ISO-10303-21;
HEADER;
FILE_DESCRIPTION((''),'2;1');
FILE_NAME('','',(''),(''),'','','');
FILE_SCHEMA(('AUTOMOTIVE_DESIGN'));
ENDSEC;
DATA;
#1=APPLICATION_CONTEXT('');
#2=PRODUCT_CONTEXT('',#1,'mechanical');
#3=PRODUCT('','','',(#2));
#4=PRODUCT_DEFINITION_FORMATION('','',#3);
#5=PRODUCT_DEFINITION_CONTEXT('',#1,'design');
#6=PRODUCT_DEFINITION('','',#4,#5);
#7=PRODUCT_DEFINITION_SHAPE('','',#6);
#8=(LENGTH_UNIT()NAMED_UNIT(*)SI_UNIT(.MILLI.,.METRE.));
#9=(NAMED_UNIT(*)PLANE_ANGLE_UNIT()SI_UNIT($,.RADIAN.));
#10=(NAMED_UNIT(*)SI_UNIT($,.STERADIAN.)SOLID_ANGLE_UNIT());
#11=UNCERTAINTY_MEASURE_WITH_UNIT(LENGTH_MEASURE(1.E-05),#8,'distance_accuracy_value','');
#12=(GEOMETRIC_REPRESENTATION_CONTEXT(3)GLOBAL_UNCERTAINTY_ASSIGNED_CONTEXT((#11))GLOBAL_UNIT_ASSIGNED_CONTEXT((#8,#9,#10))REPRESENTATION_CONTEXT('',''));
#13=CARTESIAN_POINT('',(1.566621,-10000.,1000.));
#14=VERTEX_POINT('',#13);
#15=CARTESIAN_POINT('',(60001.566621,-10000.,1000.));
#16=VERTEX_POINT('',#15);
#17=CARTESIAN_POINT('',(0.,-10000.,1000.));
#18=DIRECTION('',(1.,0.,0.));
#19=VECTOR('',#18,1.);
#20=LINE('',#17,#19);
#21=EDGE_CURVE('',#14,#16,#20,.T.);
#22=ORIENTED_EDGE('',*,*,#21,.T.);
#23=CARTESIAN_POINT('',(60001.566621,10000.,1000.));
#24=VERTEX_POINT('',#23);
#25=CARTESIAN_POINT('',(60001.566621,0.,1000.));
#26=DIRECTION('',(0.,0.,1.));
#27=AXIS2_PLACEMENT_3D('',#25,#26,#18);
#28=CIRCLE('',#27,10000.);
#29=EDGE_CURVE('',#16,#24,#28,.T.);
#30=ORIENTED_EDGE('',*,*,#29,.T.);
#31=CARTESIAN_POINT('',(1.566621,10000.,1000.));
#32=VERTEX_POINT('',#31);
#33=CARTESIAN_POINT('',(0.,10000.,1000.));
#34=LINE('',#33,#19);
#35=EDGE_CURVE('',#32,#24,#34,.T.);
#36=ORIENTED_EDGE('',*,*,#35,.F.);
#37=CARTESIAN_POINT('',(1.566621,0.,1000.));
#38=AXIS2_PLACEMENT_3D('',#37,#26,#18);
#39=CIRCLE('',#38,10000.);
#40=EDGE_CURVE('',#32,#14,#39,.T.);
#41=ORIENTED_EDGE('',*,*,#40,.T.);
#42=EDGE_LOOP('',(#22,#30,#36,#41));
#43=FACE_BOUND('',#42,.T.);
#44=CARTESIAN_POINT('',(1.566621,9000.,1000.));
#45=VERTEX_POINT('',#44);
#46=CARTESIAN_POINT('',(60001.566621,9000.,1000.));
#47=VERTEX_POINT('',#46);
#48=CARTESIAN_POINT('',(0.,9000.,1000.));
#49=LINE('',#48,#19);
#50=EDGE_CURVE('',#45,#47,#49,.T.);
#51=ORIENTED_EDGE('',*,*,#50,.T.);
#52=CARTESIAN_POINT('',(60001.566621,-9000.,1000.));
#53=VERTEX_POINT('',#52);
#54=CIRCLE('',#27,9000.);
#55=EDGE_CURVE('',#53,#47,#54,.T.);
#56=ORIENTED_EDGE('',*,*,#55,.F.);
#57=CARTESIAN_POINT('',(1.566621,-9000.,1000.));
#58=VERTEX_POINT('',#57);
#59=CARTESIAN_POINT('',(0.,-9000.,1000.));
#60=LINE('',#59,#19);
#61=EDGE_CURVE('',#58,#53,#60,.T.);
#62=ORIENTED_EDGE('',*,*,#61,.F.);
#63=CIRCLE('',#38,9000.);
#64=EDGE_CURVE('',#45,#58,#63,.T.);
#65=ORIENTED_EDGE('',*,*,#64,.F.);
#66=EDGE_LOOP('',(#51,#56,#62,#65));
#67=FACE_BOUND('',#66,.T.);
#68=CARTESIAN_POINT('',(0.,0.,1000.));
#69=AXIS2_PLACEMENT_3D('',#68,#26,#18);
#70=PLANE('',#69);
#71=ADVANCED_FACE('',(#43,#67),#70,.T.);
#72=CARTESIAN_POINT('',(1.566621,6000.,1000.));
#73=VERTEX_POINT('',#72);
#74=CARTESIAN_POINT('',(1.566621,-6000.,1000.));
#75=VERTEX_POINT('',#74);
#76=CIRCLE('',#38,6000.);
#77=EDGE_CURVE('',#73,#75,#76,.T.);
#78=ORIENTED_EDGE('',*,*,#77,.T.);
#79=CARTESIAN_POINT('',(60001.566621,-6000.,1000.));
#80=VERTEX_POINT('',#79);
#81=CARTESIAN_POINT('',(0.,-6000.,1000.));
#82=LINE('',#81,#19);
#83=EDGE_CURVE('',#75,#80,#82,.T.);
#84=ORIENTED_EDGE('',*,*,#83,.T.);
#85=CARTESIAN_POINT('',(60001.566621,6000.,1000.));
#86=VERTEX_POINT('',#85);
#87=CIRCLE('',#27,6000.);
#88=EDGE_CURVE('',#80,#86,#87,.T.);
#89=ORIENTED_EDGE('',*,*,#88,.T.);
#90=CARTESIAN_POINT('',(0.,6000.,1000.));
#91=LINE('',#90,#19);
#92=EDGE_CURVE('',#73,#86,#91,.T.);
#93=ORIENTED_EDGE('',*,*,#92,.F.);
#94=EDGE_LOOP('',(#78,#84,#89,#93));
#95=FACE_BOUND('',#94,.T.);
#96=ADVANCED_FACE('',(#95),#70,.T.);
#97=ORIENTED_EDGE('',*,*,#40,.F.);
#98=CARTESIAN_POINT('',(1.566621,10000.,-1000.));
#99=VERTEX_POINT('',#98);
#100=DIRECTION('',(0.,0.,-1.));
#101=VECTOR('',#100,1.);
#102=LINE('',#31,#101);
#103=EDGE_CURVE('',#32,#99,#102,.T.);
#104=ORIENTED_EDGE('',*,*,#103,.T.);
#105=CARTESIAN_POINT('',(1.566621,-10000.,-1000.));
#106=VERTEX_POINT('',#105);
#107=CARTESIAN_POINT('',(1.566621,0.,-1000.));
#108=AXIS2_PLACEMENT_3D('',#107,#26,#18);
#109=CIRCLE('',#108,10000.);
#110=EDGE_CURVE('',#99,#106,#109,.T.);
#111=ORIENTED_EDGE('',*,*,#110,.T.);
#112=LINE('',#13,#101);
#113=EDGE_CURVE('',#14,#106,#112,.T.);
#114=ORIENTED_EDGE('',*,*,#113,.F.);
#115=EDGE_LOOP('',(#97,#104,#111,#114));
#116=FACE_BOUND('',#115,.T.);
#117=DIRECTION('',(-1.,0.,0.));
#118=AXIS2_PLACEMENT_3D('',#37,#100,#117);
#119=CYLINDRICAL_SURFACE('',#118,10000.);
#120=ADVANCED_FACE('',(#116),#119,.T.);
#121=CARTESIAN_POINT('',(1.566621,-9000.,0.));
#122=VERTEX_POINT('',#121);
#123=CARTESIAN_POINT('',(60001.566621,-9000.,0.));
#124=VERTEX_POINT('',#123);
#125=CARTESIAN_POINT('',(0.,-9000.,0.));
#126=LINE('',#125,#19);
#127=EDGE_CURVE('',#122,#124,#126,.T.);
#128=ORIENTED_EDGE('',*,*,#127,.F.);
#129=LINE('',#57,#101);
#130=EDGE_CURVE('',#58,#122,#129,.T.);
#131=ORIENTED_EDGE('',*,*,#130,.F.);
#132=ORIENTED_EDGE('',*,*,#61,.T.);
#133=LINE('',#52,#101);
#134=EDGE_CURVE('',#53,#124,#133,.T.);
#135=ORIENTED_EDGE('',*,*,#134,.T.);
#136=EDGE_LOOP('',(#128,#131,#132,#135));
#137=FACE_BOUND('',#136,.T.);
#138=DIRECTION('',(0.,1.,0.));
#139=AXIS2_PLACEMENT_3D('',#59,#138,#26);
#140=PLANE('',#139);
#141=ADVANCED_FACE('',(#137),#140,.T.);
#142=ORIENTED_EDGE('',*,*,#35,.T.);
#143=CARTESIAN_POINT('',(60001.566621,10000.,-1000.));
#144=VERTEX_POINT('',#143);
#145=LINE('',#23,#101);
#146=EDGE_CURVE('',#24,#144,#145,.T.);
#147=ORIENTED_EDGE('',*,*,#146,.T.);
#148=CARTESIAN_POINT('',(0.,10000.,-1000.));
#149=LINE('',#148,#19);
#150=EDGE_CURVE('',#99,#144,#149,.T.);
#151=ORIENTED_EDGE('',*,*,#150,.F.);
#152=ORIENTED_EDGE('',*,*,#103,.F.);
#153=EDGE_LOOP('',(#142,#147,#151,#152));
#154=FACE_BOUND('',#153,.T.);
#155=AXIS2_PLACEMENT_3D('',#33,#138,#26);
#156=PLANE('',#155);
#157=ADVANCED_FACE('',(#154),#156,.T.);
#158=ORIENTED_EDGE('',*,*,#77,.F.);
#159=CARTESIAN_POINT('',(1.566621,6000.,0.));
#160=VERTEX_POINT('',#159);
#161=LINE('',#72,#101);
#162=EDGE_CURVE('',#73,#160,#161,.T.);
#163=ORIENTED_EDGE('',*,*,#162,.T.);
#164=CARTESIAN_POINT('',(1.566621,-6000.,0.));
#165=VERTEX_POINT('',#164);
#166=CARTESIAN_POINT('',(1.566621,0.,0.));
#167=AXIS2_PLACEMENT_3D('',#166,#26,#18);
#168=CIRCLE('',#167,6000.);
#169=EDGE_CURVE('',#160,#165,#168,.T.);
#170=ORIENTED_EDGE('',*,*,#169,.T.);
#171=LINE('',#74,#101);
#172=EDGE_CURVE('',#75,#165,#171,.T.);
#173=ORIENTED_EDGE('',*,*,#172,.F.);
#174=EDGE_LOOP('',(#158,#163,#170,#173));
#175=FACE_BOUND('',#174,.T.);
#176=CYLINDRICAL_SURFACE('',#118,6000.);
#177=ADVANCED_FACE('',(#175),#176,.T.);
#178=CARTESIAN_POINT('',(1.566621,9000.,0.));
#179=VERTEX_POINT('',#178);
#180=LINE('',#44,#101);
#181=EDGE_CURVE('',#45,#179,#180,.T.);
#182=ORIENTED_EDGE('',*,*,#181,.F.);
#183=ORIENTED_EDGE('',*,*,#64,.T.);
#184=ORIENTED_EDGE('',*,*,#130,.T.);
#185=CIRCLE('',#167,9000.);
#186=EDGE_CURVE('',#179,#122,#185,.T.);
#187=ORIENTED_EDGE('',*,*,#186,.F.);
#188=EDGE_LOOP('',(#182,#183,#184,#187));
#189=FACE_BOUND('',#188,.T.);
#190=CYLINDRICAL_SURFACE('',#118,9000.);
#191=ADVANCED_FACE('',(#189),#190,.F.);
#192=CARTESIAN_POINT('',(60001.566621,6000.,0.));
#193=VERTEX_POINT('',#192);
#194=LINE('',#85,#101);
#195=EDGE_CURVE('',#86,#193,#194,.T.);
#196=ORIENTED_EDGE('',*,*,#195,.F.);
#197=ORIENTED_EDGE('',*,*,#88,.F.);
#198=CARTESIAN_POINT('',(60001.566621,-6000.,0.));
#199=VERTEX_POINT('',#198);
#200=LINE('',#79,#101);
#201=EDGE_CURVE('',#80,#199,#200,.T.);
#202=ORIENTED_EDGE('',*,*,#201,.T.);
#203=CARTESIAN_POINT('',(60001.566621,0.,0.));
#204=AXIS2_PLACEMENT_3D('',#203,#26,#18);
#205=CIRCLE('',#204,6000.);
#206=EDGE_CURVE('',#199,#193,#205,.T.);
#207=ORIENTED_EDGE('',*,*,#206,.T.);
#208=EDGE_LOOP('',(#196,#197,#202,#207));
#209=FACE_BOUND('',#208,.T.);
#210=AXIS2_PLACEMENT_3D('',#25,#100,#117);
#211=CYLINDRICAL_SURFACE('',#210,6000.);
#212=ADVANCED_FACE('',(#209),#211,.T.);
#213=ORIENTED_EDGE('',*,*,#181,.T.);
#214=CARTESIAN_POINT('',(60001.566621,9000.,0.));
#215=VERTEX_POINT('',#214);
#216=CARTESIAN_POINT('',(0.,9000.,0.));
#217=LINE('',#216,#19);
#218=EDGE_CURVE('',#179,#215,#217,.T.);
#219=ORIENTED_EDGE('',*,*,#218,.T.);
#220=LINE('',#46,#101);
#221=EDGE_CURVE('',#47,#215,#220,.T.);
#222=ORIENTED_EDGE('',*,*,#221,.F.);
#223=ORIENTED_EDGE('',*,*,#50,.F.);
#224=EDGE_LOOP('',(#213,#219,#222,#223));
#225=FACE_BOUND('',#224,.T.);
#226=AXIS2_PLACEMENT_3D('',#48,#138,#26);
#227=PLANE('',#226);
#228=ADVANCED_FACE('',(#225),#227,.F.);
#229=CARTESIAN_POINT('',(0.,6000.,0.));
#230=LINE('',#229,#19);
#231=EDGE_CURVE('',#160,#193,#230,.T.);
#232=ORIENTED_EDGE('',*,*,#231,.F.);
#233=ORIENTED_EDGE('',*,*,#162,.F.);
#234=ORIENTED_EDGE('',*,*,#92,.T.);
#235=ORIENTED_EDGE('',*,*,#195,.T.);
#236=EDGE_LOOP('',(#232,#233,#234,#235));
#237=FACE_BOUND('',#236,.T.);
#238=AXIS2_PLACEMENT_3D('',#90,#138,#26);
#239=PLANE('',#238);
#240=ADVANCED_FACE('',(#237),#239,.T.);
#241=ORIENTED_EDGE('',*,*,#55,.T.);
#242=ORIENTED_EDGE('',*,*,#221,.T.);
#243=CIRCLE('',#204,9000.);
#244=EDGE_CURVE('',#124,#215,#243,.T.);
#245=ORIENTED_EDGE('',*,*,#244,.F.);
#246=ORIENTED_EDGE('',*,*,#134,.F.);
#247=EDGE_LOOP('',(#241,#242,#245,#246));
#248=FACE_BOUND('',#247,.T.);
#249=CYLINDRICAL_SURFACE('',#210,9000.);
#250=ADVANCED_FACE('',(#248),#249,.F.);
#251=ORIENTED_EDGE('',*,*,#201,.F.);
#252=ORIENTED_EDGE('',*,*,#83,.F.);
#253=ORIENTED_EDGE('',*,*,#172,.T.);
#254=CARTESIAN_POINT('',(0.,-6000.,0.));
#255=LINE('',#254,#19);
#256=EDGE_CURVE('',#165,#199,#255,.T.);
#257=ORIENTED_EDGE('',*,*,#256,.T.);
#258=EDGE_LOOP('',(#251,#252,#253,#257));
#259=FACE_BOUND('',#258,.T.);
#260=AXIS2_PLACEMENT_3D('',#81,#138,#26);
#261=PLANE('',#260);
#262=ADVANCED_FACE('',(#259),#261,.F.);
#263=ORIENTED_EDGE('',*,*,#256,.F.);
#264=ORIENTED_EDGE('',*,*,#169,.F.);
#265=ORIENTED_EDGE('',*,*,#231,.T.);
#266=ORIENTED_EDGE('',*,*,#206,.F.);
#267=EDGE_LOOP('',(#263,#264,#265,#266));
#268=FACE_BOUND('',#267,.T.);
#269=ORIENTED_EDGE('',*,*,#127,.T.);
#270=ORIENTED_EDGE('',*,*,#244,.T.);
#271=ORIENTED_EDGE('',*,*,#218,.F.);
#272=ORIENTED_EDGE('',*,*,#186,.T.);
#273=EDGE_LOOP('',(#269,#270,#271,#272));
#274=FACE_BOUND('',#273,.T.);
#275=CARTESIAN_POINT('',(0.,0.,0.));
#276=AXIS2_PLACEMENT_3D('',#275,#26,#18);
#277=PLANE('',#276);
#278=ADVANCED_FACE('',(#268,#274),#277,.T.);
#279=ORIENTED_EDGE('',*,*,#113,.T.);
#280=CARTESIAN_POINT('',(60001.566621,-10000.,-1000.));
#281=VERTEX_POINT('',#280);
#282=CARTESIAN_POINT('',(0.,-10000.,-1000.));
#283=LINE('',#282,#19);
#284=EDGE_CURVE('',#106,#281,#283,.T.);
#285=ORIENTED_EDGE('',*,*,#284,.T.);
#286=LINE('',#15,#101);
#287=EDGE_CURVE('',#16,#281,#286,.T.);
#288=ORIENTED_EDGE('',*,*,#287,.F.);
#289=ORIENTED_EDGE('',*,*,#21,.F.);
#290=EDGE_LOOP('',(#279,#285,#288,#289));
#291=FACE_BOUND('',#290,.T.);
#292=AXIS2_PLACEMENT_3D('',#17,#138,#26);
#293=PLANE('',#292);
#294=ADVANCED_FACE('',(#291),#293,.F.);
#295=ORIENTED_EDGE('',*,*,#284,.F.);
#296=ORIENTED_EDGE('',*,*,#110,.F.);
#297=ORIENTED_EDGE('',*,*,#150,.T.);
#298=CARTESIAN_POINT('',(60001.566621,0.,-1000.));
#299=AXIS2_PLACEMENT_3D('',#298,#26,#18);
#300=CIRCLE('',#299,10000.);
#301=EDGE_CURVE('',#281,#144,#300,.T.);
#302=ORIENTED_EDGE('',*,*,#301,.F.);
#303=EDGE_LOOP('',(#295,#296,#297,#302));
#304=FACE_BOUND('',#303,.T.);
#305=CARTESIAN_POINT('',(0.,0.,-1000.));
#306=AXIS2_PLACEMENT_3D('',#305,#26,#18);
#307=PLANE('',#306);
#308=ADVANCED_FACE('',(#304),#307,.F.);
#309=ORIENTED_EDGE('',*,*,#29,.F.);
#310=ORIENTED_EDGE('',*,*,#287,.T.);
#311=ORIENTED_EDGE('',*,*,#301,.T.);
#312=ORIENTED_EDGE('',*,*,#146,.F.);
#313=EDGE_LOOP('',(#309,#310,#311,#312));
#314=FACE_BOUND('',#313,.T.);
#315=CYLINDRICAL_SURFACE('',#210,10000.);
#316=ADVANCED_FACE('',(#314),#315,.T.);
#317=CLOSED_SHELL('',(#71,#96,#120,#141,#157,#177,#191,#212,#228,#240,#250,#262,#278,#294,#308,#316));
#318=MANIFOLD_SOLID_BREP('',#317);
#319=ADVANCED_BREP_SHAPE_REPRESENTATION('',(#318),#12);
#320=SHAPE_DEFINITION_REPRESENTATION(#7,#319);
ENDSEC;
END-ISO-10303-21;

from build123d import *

# Parameters (mm, degrees)
EXTRUDE_1_DEPTH   = 1000
EXTRUDE_1_2_DEPTH = 1000
EXTRUDE_START     = -1000
EXTRUDE_2_DEPTH   = 1000


with BuildPart() as part:
    # ｽｹｯﾁ1 → ﾎﾞｽ - 押し出し1 (new body)
    with BuildSketch(Plane.XY):
        with BuildLine():
            Line((60001.566621315, 10000), (1.566621315, 10000))
            ThreePointArc((1.566621315, 10000), (-9998.433378685, 0), (1.566621315, -10000))
            Line((1.566621315, -10000), (60001.566621315, -10000))
            ThreePointArc((60001.566621315, -10000), (70001.566621315, 0), (60001.566621315, 10000))
        make_face()
        with BuildLine():
            ThreePointArc((1.566621315, -9000), (-8998.433378685, 0), (1.566621315, 9000))
            Line((1.566621315, 9000), (60001.566621315, 9000))
            ThreePointArc((60001.566621315, 9000), (69001.566621315, 0), (60001.566621315, -9000))
            Line((60001.566621315, -9000), (1.566621315, -9000))
        make_face(mode=Mode.SUBTRACT)
    extrude(amount=EXTRUDE_1_DEPTH)



with BuildPart() as body_2:
    # ｽｹｯﾁ1 → Extrude 1 2 (new body)
    with BuildSketch(Plane.XY):
        with BuildLine():
            Line((60001.566621315, 6000), (1.566621315, 6000))
            ThreePointArc((1.566621315, 6000), (-5998.433378685, 0), (1.566621315, -6000))
            Line((1.566621315, -6000), (60001.566621315, -6000))
            ThreePointArc((60001.566621315, -6000), (66001.566621315, 0), (60001.566621315, 6000))
        make_face()
    extrude(amount=EXTRUDE_1_2_DEPTH)


with BuildPart() as part_1:
    add(part.part)

    add(body_2.part)  # ﾎﾞｽ - 押し出し2 merges body 2
    # ｽｹｯﾁ1<3> → ﾎﾞｽ - 押し出し2 (add)
    with BuildSketch(Plane.XY.offset(EXTRUDE_START)):
        with BuildLine():
            Line((60001.566621315, 10000), (1.566621315, 10000))
            ThreePointArc((1.566621315, 10000), (-9998.433378685, 0), (1.566621315, -10000))
            Line((1.566621315, -10000), (60001.566621315, -10000))
            ThreePointArc((60001.566621315, -10000), (70001.566621315, 0), (60001.566621315, 10000))
        make_face()
    extrude(amount=EXTRUDE_2_DEPTH)


solid = part_1.part
